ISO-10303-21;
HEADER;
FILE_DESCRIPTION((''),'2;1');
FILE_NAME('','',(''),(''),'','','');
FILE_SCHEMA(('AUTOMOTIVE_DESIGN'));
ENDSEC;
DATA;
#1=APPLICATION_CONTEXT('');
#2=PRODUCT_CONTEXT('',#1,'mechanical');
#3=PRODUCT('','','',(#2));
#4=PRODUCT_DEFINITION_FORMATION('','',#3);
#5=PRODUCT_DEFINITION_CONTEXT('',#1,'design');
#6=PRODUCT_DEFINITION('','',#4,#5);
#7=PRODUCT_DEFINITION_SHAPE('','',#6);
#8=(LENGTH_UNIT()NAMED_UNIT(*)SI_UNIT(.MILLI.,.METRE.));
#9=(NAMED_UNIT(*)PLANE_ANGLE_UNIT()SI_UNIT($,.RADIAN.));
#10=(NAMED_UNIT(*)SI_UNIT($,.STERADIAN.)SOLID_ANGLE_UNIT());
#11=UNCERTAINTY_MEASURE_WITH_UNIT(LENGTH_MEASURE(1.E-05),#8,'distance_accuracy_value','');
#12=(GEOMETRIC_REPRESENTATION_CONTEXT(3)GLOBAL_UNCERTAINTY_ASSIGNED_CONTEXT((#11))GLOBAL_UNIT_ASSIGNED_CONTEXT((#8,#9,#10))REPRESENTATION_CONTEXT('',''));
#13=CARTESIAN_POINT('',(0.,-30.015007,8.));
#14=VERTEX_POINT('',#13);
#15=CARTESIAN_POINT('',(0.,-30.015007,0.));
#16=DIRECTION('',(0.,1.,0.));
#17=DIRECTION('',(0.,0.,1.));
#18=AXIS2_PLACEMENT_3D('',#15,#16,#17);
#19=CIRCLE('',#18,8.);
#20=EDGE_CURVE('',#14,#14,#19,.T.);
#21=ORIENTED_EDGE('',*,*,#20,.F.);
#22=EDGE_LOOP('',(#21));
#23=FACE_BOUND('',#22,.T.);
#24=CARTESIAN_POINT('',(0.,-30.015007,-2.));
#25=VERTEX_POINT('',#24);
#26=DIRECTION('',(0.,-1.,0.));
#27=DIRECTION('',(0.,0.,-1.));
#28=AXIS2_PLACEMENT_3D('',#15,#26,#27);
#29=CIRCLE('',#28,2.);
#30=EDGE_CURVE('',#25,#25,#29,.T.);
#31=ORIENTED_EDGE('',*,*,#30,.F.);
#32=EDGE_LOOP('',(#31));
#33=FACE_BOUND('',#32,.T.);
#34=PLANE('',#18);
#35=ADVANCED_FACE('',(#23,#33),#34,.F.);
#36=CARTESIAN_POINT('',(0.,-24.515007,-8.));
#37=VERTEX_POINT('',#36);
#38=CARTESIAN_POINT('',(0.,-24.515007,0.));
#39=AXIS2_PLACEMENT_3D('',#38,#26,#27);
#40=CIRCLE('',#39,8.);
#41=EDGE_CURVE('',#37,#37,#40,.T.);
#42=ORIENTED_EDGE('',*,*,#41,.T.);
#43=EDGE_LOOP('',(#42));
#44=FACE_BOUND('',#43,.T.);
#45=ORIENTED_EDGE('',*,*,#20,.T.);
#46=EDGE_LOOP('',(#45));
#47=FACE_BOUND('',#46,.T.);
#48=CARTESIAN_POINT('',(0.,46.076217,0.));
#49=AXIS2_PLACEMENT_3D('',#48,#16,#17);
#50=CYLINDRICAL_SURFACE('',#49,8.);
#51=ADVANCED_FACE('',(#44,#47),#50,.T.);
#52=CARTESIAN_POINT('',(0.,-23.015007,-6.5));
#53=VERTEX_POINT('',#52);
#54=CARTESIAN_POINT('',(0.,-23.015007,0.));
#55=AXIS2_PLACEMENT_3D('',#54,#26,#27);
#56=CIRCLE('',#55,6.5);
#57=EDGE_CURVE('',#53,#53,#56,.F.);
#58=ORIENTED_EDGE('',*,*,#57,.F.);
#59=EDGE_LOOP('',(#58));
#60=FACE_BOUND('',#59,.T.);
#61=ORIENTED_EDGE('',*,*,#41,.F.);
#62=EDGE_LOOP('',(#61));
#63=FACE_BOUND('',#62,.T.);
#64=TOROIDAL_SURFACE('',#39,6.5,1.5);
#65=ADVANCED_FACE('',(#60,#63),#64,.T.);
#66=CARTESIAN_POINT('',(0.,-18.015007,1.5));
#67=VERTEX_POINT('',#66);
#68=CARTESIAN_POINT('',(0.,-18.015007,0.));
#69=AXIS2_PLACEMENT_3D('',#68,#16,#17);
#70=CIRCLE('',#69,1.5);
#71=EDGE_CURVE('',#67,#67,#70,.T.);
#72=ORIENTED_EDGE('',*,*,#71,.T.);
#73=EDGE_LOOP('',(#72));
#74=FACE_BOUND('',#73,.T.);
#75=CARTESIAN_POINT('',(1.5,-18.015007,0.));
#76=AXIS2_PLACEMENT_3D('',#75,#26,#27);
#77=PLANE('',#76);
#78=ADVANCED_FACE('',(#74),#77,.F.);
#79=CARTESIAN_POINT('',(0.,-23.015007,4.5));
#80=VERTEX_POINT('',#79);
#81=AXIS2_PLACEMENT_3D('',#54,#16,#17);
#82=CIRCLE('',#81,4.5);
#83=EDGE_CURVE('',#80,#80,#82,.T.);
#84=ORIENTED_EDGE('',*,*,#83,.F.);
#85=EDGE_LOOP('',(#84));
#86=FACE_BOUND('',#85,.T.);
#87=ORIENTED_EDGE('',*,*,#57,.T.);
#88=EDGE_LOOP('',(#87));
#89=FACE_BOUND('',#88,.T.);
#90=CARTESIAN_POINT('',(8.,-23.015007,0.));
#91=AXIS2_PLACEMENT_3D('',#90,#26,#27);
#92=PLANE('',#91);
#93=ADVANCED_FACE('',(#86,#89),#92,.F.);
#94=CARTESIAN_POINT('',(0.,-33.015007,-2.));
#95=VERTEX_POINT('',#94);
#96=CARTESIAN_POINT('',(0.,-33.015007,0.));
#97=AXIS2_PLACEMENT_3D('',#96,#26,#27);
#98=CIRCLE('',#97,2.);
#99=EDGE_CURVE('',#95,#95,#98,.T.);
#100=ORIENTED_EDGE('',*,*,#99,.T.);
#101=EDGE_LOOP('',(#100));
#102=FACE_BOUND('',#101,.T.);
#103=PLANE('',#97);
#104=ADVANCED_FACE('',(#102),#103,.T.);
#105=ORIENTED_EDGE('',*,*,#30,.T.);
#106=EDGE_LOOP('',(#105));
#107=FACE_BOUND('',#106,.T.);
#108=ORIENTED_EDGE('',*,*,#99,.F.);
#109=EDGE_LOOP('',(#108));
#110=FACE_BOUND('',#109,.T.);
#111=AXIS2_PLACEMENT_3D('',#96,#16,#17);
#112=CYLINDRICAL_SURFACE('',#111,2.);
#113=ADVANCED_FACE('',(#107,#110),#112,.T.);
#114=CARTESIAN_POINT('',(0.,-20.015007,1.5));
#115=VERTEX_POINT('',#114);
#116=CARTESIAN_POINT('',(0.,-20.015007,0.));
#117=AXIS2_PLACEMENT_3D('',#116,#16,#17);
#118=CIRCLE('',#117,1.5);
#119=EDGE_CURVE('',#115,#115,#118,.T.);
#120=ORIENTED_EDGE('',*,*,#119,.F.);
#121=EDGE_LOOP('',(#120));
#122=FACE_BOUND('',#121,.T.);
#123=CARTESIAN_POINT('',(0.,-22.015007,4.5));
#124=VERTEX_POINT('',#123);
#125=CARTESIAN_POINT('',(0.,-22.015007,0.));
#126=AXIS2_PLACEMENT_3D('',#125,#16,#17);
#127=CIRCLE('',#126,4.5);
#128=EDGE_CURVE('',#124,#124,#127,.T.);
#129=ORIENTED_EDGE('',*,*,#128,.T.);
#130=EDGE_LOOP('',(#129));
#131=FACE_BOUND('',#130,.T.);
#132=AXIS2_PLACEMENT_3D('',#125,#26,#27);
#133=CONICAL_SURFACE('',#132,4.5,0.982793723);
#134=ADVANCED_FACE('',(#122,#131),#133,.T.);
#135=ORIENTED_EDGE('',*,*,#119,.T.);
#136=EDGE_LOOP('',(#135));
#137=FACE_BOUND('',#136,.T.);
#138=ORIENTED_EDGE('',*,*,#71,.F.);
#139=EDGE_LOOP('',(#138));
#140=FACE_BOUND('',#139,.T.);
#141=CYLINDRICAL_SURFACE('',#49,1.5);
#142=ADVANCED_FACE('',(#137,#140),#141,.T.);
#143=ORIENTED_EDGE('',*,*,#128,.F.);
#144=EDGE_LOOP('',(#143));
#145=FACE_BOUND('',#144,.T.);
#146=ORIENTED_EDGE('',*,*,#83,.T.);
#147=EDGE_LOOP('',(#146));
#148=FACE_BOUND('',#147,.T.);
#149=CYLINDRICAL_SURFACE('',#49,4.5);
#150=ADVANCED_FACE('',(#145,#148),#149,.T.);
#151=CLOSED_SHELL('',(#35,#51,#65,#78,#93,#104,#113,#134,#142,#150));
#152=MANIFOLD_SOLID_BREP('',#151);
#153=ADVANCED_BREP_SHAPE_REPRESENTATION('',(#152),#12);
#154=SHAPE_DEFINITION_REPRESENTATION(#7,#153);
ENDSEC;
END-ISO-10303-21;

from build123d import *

# Parameters (mm, degrees)
FILLET2_R           = 1.5
SKETCH3_R           = 2
BOSS_EXTRUDE1_DEPTH = 3


with BuildPart() as part:
    # Sketch2 → Revolve1 (revolve)
    with BuildSketch(Plane.XY):
        Polygon((0, -30.015007431), (8, -30.015007431), (8, -23.015007431), (4.5, -23.015007431), (4.5, -22.015007431), (1.5, -20.015007431), (1.5, -18.015007431), (0, -18.015007431), align=None)
    revolve(axis=Axis((0, 46.076216781, 0), (0, -1, 0)))

    # Fillet2
    fillet2_edges = [part.edges().sort_by_distance(p)[0] for p in [
        (-8, -23.015007431, 0),
    ]]
    fillet(fillet2_edges, radius=FILLET2_R)

    # Sketch3 → Boss-Extrude1 (add)
    with BuildSketch(Plane.XZ.offset(30.015007431)):
        Circle(SKETCH3_R)
    extrude(amount=BOSS_EXTRUDE1_DEPTH)


solid = part.part
